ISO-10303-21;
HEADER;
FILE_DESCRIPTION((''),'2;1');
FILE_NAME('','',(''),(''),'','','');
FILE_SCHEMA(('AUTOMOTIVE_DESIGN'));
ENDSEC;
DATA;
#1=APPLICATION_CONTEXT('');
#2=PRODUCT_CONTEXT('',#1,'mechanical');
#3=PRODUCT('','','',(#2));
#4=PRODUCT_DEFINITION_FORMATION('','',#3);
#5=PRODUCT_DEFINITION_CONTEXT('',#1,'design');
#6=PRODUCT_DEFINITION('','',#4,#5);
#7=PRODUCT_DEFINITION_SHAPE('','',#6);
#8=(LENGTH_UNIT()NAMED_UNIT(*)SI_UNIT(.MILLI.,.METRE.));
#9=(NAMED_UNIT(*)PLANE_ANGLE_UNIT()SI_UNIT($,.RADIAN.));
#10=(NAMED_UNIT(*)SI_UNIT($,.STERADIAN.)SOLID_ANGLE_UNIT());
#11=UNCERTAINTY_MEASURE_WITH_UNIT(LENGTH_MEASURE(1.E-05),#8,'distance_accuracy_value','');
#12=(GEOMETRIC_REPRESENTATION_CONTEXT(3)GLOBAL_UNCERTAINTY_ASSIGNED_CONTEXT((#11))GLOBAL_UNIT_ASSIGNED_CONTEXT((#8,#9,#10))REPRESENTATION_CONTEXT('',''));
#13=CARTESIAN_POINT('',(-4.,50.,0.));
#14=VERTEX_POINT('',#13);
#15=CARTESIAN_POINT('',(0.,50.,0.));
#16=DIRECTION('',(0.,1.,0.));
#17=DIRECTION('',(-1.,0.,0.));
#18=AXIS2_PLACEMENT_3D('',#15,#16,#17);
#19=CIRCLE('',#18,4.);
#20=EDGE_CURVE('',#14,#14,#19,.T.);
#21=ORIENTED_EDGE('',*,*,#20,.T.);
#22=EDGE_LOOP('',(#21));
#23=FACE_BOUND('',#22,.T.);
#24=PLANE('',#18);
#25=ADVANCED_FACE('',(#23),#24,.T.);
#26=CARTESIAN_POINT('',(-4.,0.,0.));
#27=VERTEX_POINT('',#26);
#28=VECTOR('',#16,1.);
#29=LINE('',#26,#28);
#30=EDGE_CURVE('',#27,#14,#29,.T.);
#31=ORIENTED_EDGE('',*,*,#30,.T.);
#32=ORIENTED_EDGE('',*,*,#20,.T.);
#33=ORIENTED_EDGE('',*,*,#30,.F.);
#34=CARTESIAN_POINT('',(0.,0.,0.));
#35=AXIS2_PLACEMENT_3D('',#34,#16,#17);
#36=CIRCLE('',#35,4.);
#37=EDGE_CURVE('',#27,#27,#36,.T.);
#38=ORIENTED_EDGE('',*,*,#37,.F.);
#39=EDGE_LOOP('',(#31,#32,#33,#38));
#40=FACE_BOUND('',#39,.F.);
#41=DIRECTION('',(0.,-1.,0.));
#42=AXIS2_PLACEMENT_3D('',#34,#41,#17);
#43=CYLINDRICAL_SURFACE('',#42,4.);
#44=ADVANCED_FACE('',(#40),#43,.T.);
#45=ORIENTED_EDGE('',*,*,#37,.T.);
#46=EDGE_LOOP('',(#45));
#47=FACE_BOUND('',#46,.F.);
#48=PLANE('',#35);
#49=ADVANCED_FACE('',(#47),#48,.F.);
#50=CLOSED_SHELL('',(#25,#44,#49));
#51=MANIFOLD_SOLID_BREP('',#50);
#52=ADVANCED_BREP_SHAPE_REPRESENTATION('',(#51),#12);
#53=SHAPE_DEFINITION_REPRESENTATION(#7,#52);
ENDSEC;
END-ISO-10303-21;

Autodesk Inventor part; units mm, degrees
ref_plane "YZ Plane" through (0, 0, 0) normal (1, 0, 0) x (0, 1, 0)
ref_plane "XZ Plane" through (0, 0, 0) normal (0, 1, 0) x (-1, 0, 0)
ref_plane "XY Plane" through (0, 0, 0) normal (0, 0, 1) x (1, 0, 0)
sketch "Sketch1" plane through (0, 0, 0) normal (0, 1, 0) x (-1, 0, 0)
  circle A0 centre (0, 0) radius 4
  dimension "d0" = 8
extrude "Extrusion1" add sketch "Sketch1" along normal blind 50
properties part number "Shaft 8mm"
